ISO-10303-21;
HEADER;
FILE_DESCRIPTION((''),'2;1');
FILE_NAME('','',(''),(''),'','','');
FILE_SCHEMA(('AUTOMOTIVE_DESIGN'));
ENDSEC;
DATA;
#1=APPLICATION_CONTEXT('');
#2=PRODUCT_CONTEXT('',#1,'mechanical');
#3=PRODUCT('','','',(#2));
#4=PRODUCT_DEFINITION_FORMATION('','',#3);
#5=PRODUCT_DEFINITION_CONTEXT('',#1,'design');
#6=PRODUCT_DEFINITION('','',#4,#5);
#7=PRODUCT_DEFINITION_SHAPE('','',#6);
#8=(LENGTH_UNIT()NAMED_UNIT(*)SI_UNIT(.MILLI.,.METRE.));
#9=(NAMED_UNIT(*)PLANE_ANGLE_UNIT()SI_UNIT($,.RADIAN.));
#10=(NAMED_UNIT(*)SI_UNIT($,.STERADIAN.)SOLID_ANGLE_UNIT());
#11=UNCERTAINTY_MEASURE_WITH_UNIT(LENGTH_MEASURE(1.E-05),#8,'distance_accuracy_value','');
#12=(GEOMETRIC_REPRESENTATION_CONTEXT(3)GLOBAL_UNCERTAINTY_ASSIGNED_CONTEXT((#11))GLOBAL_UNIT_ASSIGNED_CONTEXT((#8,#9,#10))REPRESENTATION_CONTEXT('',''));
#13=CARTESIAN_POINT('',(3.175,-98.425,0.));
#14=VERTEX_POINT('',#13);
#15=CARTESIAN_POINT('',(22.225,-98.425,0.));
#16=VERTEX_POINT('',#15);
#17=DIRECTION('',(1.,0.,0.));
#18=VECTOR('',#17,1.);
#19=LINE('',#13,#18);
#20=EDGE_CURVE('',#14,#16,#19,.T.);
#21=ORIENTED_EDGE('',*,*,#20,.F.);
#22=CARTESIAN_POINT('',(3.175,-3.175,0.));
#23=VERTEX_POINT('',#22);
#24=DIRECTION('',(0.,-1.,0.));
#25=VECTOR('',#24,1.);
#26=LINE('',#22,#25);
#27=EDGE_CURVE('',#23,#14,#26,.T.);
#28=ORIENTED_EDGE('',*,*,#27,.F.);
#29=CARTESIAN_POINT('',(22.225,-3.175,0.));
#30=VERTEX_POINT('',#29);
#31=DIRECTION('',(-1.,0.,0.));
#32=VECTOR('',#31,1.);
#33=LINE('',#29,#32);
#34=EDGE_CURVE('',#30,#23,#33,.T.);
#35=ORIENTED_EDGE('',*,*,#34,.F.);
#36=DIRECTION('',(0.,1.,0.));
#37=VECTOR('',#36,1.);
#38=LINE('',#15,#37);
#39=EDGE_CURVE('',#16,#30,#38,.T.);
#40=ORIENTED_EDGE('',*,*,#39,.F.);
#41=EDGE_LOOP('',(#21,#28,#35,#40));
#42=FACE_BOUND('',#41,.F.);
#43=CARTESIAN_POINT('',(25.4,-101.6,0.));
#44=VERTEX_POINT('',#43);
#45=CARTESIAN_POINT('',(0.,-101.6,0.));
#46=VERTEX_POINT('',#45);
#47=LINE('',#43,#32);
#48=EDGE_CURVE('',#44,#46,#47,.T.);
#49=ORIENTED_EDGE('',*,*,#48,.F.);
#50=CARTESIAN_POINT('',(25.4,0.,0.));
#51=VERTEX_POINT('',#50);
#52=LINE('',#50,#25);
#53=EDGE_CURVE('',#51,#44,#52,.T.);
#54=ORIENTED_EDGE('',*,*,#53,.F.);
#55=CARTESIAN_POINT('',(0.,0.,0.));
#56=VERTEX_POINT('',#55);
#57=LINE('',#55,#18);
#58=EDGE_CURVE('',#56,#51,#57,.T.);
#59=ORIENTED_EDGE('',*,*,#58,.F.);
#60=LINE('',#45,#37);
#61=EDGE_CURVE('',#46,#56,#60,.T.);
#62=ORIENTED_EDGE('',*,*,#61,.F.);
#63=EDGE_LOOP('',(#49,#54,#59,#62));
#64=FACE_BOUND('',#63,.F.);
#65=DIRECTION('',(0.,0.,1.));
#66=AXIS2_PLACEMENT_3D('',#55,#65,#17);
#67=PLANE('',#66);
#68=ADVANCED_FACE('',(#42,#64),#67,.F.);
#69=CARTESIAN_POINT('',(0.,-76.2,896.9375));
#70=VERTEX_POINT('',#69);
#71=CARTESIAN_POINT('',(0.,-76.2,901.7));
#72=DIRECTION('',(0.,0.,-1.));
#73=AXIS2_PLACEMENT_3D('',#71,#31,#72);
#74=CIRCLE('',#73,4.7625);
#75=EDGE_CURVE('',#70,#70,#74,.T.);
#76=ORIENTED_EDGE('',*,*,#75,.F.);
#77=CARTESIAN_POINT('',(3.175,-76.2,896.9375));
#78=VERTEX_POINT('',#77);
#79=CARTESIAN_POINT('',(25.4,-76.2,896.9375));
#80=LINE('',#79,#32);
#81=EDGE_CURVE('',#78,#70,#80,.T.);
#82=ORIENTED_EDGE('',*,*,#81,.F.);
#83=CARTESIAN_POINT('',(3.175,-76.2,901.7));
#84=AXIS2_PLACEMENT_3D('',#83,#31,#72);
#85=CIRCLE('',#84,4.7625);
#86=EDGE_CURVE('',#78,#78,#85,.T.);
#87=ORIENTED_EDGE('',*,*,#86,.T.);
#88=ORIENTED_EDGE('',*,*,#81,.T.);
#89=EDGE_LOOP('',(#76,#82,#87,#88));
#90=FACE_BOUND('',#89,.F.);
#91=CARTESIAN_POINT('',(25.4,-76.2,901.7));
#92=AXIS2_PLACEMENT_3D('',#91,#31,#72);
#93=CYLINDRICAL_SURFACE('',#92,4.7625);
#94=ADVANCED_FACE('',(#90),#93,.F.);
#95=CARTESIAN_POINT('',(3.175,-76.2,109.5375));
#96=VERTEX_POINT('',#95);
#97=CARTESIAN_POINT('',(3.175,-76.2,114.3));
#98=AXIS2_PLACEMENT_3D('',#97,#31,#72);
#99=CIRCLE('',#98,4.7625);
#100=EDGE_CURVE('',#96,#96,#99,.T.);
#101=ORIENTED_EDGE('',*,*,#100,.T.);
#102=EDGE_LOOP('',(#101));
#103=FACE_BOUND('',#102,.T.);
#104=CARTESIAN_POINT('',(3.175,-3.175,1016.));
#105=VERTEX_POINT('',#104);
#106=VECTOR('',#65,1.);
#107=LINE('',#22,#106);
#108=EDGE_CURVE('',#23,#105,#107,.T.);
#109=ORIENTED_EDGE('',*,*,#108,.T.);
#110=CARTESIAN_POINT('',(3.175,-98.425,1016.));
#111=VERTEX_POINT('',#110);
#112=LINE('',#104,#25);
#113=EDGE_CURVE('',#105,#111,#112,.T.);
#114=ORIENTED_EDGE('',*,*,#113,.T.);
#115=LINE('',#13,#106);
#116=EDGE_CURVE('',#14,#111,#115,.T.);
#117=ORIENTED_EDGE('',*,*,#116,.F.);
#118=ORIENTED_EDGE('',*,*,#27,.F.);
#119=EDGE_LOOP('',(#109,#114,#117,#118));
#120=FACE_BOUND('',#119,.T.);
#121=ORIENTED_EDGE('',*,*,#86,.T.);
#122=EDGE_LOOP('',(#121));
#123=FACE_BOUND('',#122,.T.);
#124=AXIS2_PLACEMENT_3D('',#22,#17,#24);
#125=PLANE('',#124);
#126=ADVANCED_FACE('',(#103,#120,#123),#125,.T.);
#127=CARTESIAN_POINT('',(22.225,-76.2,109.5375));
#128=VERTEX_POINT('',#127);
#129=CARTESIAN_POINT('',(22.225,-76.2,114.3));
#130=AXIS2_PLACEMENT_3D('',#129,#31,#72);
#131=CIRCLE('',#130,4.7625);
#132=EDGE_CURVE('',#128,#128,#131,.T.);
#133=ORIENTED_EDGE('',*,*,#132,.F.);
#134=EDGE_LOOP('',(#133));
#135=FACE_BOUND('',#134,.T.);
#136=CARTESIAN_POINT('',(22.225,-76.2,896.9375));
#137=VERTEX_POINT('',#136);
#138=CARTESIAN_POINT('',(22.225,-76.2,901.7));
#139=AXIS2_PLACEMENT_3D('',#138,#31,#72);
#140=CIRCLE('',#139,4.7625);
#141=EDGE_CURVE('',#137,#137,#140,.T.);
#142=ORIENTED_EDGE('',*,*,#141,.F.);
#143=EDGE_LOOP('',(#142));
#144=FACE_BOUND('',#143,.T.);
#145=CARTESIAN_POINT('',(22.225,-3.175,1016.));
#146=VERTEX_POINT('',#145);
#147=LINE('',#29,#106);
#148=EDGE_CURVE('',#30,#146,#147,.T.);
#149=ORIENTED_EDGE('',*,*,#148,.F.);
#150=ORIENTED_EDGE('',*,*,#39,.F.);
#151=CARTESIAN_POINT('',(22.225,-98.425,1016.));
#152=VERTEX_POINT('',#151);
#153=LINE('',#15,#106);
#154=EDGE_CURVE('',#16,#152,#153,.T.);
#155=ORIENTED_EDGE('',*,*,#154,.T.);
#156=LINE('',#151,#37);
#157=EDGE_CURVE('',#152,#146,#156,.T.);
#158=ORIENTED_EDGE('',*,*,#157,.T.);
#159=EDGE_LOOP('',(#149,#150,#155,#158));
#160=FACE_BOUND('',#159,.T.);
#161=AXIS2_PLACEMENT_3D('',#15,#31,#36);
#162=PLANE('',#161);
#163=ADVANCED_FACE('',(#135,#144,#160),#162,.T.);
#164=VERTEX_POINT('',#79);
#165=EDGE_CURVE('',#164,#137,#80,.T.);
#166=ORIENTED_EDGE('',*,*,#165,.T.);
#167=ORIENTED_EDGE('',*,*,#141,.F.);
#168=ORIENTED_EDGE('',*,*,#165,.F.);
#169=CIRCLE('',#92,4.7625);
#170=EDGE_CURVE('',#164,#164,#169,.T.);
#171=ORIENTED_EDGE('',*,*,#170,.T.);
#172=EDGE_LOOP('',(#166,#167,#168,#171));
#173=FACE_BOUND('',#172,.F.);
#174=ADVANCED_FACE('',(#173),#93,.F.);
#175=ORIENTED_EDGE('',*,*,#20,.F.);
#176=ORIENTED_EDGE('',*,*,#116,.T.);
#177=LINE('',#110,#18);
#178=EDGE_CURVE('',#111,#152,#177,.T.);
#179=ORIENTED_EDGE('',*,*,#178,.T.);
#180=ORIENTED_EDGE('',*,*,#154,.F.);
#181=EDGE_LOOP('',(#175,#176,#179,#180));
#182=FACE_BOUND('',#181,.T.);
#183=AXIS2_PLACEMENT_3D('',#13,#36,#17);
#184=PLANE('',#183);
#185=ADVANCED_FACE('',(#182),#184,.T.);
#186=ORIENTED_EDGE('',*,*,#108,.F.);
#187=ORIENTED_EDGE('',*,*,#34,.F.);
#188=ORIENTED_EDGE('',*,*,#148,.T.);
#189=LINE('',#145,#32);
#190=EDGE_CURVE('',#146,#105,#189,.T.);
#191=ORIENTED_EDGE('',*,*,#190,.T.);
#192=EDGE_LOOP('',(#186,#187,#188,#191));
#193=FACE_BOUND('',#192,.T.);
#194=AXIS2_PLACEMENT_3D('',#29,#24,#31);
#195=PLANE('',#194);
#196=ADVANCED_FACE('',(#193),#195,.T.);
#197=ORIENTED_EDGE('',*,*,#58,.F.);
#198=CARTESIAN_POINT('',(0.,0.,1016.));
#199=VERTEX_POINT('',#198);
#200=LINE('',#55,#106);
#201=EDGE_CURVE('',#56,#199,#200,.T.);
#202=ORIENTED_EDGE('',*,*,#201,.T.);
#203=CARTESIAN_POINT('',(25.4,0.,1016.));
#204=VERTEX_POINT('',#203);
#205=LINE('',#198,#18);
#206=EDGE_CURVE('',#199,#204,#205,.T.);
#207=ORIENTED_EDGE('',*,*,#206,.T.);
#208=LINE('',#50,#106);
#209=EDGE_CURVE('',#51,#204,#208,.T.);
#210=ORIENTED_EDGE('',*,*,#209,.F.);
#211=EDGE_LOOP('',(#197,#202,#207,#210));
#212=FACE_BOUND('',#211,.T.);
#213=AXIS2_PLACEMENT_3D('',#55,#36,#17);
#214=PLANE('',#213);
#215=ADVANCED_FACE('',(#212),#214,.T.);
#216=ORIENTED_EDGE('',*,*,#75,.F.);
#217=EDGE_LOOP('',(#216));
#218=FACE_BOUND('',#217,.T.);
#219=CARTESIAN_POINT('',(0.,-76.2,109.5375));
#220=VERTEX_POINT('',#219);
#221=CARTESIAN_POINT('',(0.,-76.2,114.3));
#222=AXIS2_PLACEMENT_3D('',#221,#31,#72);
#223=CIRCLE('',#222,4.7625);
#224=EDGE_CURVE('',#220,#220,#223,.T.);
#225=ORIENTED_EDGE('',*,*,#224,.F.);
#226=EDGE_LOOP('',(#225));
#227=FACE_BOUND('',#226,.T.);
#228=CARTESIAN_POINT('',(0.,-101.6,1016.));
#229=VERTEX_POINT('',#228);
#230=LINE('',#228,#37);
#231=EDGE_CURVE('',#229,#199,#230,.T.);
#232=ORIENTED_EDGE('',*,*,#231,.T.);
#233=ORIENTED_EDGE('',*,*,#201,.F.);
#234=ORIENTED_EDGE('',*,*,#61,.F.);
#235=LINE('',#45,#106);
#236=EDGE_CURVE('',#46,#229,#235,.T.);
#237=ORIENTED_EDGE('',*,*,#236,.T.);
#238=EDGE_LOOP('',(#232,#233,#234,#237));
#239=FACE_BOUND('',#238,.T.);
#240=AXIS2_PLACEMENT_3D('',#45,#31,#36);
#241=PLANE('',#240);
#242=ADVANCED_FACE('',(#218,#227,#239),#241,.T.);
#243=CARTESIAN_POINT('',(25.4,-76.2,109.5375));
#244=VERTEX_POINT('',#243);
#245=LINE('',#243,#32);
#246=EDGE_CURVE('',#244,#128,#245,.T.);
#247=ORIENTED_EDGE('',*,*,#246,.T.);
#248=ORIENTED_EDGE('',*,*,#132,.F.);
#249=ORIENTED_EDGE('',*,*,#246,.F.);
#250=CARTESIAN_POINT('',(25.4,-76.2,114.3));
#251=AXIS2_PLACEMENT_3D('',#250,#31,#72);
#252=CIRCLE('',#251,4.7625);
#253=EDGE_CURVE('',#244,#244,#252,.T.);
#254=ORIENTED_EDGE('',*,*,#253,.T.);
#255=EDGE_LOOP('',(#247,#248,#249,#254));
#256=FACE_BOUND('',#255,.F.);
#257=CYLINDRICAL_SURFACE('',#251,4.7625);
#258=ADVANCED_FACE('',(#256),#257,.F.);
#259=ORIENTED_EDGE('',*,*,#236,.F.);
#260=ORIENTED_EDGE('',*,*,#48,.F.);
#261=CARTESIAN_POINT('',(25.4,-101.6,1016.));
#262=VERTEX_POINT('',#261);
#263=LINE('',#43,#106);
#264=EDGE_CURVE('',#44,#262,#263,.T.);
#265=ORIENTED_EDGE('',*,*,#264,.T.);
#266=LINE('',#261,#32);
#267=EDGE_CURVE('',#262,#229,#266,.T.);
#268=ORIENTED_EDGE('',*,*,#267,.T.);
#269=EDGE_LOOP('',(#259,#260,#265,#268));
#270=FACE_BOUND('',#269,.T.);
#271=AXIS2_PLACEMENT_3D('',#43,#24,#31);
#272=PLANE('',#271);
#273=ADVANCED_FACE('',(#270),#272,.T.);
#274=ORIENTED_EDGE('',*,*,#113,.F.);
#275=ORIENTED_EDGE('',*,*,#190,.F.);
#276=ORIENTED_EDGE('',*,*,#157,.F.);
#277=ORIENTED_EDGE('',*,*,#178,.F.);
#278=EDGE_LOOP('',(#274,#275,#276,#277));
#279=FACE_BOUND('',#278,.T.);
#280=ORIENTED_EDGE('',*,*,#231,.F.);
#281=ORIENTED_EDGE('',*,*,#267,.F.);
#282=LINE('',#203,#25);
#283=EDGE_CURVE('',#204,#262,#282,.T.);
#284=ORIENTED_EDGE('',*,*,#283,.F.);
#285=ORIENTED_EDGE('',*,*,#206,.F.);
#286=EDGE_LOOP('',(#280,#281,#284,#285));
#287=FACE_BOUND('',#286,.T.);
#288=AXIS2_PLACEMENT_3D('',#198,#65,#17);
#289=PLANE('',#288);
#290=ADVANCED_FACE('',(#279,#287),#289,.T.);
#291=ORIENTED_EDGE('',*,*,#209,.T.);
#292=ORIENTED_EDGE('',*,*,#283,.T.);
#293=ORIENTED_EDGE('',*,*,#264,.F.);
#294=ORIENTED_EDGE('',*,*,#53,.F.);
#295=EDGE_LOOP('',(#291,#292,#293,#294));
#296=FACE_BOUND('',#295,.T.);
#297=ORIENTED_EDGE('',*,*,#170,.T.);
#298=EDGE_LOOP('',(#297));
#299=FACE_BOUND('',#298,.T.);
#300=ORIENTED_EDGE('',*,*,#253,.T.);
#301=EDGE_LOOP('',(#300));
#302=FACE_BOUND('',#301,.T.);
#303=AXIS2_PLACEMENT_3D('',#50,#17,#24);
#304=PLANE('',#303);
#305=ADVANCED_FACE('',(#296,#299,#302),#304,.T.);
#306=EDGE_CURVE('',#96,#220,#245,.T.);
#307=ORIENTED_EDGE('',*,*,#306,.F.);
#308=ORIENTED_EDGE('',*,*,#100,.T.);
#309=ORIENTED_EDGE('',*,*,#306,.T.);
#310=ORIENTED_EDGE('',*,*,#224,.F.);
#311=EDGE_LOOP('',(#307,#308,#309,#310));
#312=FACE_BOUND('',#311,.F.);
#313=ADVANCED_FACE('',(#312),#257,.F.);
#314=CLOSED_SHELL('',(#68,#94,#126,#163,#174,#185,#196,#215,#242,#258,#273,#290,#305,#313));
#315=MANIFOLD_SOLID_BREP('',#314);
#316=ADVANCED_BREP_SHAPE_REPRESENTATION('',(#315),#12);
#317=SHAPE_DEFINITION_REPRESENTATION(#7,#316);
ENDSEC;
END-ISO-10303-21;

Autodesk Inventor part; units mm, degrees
ref_plane "YZ Plane" through (0, 0, 0) normal (1, 0, 0) x (0, 1, 0)
ref_plane "XZ Plane" through (0, 0, 0) normal (0, 1, 0) x (-1, 0, 0)
ref_plane "XY Plane" through (0, 0, 0) normal (0, 0, 1) x (1, 0, 0)
sketch "Sketch1" plane through (0, 0, 0) normal (0, 0, 1) x (1, 0, 0)
  line L0 (0, 0) -> (25.4, 0)
  line L1 (25.4, 0) -> (25.4, -101.6)
  line L2 (25.4, -101.6) -> (0, -101.6)
  line L3 (0, -101.6) -> (0, 0)
  line L4 (22.225, -3.175) -> (3.175, -3.175)
  line L5 (3.175, -3.175) -> (3.175, -98.425)
  line L6 (3.175, -98.425) -> (22.225, -98.425)
  line L7 (22.225, -98.425) -> (22.225, -3.175)
  dimension "d0" = 25.4
  dimension "d1" = 101.6
  dimension "d2" = 3.175
extrude "Extrusion1" add sketch "Sketch1" along normal blind 1016
sketch "Sketch2" plane through (25.4, -101.6, 0) normal (1, 0, 0) x (0, 0, -1)
  point P0 (0, 101.6)
  point P1 (-114.3, 25.4)
sketch "Sketch3" plane through (25.4, -101.6, 0) normal (1, 0, 0) x (0, 0, -1)
  point P0 (0, 101.6)
  point P1 (-901.7, 25.4)
hole "Hole1" at (25.4, -76.2, 901.7) direction (-1, 0, 0) diameter 9.525 end through all
hole "Hole2" at (25.4, -76.2, 114.3) direction (-1, 0, 0) diameter 9.525 end through all
properties part number "4x1 boxbeam"
